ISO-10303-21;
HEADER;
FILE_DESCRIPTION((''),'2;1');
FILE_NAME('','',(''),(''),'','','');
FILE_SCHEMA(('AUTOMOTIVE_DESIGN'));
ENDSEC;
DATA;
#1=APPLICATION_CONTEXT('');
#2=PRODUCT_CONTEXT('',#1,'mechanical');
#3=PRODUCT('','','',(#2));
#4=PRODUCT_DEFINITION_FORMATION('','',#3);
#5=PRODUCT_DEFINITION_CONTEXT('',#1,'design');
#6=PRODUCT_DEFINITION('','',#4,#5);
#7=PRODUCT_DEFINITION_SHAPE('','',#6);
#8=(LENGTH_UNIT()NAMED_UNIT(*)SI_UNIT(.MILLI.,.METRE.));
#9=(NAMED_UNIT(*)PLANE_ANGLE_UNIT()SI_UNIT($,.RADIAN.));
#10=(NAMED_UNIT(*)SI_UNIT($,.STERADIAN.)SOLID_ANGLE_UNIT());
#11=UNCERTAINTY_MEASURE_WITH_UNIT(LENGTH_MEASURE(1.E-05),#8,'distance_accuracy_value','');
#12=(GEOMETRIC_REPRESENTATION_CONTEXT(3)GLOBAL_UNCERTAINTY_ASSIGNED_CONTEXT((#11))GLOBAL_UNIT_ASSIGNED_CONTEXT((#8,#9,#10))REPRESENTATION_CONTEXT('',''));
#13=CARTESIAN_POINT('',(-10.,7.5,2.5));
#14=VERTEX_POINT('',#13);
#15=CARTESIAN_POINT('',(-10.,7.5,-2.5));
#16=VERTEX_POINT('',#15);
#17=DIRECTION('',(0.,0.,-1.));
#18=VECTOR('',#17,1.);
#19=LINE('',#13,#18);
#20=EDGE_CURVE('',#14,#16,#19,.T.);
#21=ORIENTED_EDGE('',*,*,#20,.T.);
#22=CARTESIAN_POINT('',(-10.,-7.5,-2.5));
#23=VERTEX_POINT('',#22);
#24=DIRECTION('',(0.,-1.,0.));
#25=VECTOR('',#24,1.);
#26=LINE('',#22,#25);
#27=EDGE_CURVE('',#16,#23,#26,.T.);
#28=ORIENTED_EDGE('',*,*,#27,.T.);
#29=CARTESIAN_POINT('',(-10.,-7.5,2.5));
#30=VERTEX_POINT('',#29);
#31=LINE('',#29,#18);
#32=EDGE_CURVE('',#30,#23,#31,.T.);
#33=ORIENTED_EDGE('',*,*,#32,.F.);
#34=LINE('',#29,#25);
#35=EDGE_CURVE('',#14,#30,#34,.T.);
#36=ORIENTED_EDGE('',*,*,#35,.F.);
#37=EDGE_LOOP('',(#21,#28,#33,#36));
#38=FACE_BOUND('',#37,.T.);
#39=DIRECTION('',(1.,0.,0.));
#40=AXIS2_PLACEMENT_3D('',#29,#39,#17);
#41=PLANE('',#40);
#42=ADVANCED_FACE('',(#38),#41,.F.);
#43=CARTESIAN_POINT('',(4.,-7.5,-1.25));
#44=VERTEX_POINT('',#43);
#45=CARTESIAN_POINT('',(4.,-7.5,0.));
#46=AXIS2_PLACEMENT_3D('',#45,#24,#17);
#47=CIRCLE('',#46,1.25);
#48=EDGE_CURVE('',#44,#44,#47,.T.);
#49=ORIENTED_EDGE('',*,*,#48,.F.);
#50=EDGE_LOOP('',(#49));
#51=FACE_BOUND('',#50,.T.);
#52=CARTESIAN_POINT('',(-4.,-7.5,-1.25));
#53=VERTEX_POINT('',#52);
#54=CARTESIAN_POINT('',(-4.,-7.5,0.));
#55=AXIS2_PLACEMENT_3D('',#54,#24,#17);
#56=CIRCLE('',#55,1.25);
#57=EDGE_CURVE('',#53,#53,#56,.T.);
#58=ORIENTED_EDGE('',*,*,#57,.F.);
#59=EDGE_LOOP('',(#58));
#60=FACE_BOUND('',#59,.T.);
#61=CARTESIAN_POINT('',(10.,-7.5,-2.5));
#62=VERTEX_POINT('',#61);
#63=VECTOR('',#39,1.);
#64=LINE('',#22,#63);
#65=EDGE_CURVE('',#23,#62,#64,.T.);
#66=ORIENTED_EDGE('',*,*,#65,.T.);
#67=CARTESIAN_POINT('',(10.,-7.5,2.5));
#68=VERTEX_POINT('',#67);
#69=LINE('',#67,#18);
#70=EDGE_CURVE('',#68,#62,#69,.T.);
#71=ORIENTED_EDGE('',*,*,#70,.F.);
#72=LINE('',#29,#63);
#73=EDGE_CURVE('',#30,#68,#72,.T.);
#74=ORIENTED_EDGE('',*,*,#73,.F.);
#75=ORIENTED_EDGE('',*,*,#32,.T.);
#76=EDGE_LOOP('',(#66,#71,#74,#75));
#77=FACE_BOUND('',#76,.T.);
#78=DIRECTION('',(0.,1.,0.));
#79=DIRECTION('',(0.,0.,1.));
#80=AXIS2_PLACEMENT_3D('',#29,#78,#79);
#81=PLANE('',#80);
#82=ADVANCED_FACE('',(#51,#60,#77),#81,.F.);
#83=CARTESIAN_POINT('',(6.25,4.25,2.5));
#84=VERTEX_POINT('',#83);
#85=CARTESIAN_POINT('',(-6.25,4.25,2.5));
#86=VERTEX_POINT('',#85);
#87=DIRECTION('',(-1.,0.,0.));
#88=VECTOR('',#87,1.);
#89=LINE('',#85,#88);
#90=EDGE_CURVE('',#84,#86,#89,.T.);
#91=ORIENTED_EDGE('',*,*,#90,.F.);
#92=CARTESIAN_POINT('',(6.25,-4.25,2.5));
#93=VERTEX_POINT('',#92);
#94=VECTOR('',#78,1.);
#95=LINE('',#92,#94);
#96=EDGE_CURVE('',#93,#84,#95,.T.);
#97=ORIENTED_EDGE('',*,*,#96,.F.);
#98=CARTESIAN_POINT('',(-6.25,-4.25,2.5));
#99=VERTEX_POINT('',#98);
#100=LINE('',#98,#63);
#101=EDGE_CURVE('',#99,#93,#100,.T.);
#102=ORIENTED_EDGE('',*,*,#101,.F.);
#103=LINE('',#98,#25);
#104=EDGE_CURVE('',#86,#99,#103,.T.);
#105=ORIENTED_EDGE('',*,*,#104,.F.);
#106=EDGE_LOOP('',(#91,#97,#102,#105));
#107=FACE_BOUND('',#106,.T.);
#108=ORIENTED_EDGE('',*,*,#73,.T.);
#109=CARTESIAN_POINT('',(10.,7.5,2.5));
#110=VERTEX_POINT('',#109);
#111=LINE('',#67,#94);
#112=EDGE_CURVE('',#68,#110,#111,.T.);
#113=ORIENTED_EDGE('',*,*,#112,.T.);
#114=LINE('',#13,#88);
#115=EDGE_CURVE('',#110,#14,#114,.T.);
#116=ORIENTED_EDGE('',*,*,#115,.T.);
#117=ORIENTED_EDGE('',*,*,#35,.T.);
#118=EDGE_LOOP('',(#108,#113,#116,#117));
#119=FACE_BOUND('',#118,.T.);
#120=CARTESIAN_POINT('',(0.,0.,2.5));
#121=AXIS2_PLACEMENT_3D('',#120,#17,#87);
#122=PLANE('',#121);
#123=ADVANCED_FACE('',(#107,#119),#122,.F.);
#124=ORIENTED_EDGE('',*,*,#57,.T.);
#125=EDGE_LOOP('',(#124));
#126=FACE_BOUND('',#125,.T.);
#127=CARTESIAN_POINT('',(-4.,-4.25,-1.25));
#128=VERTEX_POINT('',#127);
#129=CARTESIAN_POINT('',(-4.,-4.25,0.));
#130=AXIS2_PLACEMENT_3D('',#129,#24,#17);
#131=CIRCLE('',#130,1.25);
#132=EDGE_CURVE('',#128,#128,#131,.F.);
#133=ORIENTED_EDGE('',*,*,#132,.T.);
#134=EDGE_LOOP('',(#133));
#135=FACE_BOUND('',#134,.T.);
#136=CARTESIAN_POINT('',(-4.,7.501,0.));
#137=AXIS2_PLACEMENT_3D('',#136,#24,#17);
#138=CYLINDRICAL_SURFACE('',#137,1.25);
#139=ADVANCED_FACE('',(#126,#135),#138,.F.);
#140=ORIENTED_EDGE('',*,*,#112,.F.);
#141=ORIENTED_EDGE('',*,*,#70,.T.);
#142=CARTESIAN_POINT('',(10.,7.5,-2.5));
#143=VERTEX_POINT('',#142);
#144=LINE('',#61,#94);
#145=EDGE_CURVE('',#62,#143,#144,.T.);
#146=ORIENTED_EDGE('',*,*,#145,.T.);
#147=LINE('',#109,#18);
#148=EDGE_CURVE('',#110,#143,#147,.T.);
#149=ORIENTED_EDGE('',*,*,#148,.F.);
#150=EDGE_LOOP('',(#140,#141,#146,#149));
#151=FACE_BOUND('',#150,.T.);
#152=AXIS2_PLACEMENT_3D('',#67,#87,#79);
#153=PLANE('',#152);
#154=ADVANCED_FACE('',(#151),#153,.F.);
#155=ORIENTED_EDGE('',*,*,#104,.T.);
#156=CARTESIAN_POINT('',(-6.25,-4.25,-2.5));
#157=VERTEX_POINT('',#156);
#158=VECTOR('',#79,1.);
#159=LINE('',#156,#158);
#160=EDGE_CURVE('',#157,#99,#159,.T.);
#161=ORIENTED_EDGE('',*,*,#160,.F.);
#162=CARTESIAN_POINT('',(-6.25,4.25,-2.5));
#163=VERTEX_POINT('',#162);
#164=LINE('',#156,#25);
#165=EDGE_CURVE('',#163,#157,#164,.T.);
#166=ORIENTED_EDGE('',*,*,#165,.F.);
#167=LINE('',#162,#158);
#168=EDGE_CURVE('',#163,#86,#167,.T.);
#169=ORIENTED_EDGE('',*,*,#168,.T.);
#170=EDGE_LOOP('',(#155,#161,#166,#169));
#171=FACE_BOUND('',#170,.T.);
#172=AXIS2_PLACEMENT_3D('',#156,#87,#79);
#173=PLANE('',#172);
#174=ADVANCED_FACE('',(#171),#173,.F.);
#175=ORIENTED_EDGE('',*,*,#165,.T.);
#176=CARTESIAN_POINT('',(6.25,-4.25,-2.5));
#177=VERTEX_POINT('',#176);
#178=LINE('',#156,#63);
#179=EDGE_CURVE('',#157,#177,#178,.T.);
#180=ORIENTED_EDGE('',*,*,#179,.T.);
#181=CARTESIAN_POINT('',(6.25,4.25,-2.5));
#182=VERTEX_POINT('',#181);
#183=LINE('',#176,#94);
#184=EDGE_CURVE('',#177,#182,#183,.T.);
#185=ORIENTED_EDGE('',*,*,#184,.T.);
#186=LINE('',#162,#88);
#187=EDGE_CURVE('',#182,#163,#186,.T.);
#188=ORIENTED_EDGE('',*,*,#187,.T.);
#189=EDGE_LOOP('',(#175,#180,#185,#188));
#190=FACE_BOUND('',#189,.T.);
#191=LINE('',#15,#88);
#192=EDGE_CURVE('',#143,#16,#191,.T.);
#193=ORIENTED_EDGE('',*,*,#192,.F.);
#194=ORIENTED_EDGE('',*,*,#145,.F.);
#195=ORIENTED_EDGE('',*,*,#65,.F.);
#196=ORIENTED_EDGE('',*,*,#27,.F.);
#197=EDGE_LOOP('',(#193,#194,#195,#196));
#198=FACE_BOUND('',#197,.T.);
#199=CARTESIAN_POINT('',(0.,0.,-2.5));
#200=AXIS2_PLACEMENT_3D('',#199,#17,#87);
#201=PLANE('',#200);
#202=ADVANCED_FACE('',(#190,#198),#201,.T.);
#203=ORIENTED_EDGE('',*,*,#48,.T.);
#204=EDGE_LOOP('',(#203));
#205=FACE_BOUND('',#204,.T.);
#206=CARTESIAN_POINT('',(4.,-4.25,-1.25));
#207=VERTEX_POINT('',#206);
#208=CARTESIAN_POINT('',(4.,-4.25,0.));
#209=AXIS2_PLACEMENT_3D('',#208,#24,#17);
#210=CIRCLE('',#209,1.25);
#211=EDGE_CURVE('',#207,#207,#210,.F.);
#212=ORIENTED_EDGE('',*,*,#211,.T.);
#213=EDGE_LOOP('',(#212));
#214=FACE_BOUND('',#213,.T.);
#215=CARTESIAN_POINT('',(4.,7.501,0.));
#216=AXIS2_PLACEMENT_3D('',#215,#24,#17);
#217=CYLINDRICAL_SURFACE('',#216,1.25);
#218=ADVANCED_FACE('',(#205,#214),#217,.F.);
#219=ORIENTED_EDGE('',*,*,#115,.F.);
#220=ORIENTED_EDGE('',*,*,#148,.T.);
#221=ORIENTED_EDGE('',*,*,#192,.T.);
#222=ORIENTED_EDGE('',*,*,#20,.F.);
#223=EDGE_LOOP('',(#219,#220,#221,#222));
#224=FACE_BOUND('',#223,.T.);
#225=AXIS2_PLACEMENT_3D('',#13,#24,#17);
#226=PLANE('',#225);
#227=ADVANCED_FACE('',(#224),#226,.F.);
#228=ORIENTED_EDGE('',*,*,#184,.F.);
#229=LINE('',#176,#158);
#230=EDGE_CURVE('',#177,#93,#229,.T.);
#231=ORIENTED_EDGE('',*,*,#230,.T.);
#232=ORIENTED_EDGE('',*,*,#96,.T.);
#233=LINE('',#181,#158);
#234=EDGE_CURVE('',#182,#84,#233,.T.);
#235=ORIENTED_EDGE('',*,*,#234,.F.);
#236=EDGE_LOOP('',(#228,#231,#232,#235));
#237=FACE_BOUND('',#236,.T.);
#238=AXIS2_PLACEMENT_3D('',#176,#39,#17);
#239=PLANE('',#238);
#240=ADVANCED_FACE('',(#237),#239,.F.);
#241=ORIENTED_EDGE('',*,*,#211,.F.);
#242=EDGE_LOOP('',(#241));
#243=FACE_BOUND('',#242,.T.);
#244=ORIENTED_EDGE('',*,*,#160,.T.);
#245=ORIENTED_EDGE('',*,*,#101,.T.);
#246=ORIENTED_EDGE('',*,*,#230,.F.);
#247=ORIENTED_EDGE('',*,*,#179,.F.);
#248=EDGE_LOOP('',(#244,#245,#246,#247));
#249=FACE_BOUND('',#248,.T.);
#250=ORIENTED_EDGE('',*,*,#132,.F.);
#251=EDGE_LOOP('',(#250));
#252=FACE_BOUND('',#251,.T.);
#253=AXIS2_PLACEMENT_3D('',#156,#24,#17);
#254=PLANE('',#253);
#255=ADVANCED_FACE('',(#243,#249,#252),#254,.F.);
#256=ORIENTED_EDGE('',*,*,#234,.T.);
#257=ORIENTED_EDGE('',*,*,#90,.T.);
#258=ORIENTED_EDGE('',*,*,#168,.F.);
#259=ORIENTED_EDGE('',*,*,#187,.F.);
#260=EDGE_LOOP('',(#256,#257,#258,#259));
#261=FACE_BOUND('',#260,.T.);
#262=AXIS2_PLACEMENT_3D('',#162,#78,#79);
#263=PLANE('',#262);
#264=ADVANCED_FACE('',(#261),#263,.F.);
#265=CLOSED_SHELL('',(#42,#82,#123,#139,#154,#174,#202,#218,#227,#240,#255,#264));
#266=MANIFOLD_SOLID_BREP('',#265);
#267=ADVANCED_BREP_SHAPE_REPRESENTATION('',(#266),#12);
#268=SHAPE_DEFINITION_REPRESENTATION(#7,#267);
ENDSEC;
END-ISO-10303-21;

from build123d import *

# Parameters (mm, degrees)
SKETCH_1_W          = 20
SKETCH_1_H          = 15
EXTRUDE_1_DEPTH     = 2.5
SKETCH_2_W          = 12.5
SKETCH_2_H          = 8.5
CUT_EXTRUDE_1_DEPTH = 6
CUT_EXTRUDE_2_REACH = 17
SKETCH_4_R          = 1.25


with BuildPart() as part:
    # 草圖1 → 填料-伸長1 (new body, symmetric)
    with BuildSketch(Plane.XY):
        Rectangle(SKETCH_1_W, SKETCH_1_H)
    extrude(amount=EXTRUDE_1_DEPTH, both=True)

    # 草圖2 → 除料-伸長1 (cut, through all)
    with BuildSketch(Plane.XY.offset(2.5)):
        Rectangle(SKETCH_2_W, SKETCH_2_H)
    extrude(amount=-CUT_EXTRUDE_1_DEPTH, mode=Mode.SUBTRACT)

    # 草圖4 → 除料-伸長2 (cut, up to next)
    with BuildSketch(Plane.XZ.offset(7.5), mode=Mode.PRIVATE) as cut_extrude_2_sk1:
        with Locations((-4, 0)):
            Circle(SKETCH_4_R)
    cut_extrude_2_tool1 = extrude(cut_extrude_2_sk1.sketch, amount=-CUT_EXTRUDE_2_REACH, mode=Mode.PRIVATE) & part.part
    add(cut_extrude_2_tool1.solids().sort_by_distance((-4, -7.5, 0))[0], mode=Mode.SUBTRACT)
    # 草圖4 → 除料-伸長2 (cut, up to next)
    with BuildSketch(Plane.XZ.offset(7.5), mode=Mode.PRIVATE) as cut_extrude_2_sk2:
        with Locations((4, 0)):
            Circle(SKETCH_4_R)
    cut_extrude_2_tool2 = extrude(cut_extrude_2_sk2.sketch, amount=-CUT_EXTRUDE_2_REACH, mode=Mode.PRIVATE) & part.part
    add(cut_extrude_2_tool2.solids().sort_by_distance((4, -7.5, 0))[0], mode=Mode.SUBTRACT)


solid = part.part
